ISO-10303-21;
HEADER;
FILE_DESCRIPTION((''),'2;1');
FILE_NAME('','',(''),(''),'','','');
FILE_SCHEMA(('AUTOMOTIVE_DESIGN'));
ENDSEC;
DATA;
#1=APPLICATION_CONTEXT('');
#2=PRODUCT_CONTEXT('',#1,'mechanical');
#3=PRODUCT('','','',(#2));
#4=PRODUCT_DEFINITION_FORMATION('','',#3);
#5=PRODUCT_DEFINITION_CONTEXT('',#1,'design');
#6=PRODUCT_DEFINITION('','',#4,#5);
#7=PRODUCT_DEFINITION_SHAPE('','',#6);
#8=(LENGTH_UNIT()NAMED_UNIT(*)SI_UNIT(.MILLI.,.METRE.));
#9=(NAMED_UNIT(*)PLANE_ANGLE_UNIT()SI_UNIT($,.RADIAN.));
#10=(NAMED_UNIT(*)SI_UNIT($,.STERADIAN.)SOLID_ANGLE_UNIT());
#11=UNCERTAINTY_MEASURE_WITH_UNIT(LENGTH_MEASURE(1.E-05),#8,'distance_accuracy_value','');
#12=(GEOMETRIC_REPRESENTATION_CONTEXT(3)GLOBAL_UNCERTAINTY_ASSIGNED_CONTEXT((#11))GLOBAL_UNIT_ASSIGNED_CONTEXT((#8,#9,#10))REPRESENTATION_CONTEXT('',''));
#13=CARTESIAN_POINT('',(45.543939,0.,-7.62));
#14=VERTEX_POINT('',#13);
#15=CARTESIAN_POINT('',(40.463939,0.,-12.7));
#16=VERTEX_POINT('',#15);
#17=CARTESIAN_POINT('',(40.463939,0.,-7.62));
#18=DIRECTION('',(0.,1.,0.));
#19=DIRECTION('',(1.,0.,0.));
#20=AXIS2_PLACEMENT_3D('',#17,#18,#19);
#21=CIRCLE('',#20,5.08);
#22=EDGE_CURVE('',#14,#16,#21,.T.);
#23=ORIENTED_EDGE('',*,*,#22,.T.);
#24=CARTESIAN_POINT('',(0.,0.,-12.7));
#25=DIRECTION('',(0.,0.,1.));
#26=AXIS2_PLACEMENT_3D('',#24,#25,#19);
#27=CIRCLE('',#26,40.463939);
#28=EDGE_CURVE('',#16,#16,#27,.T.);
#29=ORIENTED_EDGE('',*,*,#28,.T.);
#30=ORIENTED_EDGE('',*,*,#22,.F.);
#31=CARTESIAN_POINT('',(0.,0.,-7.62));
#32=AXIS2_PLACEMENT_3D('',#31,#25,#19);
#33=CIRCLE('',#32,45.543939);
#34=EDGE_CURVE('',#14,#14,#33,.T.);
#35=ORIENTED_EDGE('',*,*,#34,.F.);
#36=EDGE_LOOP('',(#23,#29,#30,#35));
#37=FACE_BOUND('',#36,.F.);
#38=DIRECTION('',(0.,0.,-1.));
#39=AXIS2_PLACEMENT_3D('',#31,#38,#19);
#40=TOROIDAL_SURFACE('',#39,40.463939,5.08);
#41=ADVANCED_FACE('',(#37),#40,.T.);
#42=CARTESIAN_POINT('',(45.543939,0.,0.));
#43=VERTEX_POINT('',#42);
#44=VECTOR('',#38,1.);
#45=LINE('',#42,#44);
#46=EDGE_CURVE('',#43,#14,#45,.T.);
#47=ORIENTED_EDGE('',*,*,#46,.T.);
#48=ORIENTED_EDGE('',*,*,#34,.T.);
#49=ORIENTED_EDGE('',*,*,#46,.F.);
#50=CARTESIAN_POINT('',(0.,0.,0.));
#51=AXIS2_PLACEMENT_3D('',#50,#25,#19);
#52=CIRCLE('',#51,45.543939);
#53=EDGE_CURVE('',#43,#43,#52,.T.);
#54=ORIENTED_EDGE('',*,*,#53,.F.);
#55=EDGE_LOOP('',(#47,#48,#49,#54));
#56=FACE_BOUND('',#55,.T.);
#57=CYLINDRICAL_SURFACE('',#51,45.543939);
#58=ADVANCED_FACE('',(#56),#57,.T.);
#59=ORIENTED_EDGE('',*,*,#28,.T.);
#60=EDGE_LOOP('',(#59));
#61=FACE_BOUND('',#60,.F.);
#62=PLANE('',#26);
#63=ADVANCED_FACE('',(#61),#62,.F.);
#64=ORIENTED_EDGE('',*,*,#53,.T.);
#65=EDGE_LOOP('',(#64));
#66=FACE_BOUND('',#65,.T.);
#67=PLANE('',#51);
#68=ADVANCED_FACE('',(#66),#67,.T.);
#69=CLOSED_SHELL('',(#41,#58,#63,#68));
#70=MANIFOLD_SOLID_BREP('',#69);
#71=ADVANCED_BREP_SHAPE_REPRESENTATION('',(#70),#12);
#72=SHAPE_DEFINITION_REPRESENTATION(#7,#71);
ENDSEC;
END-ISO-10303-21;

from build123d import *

# Parameters (mm, degrees)
F0_R     = 45.543939
F1_DEPTH = 12.7
F2_R     = 5.08


with BuildPart() as f1:
    # F0 (on Top) → F1 (new body)
    with BuildSketch(Plane.XY):
        Circle(F0_R)
    extrude(amount=-F1_DEPTH)

    # F2
    f2_edges = [f1.edges().sort_by_distance(p)[0] for p in [
        (-45.543939, 0, -12.7),
    ]]
    fillet(f2_edges, radius=F2_R)


solid = f1.part
